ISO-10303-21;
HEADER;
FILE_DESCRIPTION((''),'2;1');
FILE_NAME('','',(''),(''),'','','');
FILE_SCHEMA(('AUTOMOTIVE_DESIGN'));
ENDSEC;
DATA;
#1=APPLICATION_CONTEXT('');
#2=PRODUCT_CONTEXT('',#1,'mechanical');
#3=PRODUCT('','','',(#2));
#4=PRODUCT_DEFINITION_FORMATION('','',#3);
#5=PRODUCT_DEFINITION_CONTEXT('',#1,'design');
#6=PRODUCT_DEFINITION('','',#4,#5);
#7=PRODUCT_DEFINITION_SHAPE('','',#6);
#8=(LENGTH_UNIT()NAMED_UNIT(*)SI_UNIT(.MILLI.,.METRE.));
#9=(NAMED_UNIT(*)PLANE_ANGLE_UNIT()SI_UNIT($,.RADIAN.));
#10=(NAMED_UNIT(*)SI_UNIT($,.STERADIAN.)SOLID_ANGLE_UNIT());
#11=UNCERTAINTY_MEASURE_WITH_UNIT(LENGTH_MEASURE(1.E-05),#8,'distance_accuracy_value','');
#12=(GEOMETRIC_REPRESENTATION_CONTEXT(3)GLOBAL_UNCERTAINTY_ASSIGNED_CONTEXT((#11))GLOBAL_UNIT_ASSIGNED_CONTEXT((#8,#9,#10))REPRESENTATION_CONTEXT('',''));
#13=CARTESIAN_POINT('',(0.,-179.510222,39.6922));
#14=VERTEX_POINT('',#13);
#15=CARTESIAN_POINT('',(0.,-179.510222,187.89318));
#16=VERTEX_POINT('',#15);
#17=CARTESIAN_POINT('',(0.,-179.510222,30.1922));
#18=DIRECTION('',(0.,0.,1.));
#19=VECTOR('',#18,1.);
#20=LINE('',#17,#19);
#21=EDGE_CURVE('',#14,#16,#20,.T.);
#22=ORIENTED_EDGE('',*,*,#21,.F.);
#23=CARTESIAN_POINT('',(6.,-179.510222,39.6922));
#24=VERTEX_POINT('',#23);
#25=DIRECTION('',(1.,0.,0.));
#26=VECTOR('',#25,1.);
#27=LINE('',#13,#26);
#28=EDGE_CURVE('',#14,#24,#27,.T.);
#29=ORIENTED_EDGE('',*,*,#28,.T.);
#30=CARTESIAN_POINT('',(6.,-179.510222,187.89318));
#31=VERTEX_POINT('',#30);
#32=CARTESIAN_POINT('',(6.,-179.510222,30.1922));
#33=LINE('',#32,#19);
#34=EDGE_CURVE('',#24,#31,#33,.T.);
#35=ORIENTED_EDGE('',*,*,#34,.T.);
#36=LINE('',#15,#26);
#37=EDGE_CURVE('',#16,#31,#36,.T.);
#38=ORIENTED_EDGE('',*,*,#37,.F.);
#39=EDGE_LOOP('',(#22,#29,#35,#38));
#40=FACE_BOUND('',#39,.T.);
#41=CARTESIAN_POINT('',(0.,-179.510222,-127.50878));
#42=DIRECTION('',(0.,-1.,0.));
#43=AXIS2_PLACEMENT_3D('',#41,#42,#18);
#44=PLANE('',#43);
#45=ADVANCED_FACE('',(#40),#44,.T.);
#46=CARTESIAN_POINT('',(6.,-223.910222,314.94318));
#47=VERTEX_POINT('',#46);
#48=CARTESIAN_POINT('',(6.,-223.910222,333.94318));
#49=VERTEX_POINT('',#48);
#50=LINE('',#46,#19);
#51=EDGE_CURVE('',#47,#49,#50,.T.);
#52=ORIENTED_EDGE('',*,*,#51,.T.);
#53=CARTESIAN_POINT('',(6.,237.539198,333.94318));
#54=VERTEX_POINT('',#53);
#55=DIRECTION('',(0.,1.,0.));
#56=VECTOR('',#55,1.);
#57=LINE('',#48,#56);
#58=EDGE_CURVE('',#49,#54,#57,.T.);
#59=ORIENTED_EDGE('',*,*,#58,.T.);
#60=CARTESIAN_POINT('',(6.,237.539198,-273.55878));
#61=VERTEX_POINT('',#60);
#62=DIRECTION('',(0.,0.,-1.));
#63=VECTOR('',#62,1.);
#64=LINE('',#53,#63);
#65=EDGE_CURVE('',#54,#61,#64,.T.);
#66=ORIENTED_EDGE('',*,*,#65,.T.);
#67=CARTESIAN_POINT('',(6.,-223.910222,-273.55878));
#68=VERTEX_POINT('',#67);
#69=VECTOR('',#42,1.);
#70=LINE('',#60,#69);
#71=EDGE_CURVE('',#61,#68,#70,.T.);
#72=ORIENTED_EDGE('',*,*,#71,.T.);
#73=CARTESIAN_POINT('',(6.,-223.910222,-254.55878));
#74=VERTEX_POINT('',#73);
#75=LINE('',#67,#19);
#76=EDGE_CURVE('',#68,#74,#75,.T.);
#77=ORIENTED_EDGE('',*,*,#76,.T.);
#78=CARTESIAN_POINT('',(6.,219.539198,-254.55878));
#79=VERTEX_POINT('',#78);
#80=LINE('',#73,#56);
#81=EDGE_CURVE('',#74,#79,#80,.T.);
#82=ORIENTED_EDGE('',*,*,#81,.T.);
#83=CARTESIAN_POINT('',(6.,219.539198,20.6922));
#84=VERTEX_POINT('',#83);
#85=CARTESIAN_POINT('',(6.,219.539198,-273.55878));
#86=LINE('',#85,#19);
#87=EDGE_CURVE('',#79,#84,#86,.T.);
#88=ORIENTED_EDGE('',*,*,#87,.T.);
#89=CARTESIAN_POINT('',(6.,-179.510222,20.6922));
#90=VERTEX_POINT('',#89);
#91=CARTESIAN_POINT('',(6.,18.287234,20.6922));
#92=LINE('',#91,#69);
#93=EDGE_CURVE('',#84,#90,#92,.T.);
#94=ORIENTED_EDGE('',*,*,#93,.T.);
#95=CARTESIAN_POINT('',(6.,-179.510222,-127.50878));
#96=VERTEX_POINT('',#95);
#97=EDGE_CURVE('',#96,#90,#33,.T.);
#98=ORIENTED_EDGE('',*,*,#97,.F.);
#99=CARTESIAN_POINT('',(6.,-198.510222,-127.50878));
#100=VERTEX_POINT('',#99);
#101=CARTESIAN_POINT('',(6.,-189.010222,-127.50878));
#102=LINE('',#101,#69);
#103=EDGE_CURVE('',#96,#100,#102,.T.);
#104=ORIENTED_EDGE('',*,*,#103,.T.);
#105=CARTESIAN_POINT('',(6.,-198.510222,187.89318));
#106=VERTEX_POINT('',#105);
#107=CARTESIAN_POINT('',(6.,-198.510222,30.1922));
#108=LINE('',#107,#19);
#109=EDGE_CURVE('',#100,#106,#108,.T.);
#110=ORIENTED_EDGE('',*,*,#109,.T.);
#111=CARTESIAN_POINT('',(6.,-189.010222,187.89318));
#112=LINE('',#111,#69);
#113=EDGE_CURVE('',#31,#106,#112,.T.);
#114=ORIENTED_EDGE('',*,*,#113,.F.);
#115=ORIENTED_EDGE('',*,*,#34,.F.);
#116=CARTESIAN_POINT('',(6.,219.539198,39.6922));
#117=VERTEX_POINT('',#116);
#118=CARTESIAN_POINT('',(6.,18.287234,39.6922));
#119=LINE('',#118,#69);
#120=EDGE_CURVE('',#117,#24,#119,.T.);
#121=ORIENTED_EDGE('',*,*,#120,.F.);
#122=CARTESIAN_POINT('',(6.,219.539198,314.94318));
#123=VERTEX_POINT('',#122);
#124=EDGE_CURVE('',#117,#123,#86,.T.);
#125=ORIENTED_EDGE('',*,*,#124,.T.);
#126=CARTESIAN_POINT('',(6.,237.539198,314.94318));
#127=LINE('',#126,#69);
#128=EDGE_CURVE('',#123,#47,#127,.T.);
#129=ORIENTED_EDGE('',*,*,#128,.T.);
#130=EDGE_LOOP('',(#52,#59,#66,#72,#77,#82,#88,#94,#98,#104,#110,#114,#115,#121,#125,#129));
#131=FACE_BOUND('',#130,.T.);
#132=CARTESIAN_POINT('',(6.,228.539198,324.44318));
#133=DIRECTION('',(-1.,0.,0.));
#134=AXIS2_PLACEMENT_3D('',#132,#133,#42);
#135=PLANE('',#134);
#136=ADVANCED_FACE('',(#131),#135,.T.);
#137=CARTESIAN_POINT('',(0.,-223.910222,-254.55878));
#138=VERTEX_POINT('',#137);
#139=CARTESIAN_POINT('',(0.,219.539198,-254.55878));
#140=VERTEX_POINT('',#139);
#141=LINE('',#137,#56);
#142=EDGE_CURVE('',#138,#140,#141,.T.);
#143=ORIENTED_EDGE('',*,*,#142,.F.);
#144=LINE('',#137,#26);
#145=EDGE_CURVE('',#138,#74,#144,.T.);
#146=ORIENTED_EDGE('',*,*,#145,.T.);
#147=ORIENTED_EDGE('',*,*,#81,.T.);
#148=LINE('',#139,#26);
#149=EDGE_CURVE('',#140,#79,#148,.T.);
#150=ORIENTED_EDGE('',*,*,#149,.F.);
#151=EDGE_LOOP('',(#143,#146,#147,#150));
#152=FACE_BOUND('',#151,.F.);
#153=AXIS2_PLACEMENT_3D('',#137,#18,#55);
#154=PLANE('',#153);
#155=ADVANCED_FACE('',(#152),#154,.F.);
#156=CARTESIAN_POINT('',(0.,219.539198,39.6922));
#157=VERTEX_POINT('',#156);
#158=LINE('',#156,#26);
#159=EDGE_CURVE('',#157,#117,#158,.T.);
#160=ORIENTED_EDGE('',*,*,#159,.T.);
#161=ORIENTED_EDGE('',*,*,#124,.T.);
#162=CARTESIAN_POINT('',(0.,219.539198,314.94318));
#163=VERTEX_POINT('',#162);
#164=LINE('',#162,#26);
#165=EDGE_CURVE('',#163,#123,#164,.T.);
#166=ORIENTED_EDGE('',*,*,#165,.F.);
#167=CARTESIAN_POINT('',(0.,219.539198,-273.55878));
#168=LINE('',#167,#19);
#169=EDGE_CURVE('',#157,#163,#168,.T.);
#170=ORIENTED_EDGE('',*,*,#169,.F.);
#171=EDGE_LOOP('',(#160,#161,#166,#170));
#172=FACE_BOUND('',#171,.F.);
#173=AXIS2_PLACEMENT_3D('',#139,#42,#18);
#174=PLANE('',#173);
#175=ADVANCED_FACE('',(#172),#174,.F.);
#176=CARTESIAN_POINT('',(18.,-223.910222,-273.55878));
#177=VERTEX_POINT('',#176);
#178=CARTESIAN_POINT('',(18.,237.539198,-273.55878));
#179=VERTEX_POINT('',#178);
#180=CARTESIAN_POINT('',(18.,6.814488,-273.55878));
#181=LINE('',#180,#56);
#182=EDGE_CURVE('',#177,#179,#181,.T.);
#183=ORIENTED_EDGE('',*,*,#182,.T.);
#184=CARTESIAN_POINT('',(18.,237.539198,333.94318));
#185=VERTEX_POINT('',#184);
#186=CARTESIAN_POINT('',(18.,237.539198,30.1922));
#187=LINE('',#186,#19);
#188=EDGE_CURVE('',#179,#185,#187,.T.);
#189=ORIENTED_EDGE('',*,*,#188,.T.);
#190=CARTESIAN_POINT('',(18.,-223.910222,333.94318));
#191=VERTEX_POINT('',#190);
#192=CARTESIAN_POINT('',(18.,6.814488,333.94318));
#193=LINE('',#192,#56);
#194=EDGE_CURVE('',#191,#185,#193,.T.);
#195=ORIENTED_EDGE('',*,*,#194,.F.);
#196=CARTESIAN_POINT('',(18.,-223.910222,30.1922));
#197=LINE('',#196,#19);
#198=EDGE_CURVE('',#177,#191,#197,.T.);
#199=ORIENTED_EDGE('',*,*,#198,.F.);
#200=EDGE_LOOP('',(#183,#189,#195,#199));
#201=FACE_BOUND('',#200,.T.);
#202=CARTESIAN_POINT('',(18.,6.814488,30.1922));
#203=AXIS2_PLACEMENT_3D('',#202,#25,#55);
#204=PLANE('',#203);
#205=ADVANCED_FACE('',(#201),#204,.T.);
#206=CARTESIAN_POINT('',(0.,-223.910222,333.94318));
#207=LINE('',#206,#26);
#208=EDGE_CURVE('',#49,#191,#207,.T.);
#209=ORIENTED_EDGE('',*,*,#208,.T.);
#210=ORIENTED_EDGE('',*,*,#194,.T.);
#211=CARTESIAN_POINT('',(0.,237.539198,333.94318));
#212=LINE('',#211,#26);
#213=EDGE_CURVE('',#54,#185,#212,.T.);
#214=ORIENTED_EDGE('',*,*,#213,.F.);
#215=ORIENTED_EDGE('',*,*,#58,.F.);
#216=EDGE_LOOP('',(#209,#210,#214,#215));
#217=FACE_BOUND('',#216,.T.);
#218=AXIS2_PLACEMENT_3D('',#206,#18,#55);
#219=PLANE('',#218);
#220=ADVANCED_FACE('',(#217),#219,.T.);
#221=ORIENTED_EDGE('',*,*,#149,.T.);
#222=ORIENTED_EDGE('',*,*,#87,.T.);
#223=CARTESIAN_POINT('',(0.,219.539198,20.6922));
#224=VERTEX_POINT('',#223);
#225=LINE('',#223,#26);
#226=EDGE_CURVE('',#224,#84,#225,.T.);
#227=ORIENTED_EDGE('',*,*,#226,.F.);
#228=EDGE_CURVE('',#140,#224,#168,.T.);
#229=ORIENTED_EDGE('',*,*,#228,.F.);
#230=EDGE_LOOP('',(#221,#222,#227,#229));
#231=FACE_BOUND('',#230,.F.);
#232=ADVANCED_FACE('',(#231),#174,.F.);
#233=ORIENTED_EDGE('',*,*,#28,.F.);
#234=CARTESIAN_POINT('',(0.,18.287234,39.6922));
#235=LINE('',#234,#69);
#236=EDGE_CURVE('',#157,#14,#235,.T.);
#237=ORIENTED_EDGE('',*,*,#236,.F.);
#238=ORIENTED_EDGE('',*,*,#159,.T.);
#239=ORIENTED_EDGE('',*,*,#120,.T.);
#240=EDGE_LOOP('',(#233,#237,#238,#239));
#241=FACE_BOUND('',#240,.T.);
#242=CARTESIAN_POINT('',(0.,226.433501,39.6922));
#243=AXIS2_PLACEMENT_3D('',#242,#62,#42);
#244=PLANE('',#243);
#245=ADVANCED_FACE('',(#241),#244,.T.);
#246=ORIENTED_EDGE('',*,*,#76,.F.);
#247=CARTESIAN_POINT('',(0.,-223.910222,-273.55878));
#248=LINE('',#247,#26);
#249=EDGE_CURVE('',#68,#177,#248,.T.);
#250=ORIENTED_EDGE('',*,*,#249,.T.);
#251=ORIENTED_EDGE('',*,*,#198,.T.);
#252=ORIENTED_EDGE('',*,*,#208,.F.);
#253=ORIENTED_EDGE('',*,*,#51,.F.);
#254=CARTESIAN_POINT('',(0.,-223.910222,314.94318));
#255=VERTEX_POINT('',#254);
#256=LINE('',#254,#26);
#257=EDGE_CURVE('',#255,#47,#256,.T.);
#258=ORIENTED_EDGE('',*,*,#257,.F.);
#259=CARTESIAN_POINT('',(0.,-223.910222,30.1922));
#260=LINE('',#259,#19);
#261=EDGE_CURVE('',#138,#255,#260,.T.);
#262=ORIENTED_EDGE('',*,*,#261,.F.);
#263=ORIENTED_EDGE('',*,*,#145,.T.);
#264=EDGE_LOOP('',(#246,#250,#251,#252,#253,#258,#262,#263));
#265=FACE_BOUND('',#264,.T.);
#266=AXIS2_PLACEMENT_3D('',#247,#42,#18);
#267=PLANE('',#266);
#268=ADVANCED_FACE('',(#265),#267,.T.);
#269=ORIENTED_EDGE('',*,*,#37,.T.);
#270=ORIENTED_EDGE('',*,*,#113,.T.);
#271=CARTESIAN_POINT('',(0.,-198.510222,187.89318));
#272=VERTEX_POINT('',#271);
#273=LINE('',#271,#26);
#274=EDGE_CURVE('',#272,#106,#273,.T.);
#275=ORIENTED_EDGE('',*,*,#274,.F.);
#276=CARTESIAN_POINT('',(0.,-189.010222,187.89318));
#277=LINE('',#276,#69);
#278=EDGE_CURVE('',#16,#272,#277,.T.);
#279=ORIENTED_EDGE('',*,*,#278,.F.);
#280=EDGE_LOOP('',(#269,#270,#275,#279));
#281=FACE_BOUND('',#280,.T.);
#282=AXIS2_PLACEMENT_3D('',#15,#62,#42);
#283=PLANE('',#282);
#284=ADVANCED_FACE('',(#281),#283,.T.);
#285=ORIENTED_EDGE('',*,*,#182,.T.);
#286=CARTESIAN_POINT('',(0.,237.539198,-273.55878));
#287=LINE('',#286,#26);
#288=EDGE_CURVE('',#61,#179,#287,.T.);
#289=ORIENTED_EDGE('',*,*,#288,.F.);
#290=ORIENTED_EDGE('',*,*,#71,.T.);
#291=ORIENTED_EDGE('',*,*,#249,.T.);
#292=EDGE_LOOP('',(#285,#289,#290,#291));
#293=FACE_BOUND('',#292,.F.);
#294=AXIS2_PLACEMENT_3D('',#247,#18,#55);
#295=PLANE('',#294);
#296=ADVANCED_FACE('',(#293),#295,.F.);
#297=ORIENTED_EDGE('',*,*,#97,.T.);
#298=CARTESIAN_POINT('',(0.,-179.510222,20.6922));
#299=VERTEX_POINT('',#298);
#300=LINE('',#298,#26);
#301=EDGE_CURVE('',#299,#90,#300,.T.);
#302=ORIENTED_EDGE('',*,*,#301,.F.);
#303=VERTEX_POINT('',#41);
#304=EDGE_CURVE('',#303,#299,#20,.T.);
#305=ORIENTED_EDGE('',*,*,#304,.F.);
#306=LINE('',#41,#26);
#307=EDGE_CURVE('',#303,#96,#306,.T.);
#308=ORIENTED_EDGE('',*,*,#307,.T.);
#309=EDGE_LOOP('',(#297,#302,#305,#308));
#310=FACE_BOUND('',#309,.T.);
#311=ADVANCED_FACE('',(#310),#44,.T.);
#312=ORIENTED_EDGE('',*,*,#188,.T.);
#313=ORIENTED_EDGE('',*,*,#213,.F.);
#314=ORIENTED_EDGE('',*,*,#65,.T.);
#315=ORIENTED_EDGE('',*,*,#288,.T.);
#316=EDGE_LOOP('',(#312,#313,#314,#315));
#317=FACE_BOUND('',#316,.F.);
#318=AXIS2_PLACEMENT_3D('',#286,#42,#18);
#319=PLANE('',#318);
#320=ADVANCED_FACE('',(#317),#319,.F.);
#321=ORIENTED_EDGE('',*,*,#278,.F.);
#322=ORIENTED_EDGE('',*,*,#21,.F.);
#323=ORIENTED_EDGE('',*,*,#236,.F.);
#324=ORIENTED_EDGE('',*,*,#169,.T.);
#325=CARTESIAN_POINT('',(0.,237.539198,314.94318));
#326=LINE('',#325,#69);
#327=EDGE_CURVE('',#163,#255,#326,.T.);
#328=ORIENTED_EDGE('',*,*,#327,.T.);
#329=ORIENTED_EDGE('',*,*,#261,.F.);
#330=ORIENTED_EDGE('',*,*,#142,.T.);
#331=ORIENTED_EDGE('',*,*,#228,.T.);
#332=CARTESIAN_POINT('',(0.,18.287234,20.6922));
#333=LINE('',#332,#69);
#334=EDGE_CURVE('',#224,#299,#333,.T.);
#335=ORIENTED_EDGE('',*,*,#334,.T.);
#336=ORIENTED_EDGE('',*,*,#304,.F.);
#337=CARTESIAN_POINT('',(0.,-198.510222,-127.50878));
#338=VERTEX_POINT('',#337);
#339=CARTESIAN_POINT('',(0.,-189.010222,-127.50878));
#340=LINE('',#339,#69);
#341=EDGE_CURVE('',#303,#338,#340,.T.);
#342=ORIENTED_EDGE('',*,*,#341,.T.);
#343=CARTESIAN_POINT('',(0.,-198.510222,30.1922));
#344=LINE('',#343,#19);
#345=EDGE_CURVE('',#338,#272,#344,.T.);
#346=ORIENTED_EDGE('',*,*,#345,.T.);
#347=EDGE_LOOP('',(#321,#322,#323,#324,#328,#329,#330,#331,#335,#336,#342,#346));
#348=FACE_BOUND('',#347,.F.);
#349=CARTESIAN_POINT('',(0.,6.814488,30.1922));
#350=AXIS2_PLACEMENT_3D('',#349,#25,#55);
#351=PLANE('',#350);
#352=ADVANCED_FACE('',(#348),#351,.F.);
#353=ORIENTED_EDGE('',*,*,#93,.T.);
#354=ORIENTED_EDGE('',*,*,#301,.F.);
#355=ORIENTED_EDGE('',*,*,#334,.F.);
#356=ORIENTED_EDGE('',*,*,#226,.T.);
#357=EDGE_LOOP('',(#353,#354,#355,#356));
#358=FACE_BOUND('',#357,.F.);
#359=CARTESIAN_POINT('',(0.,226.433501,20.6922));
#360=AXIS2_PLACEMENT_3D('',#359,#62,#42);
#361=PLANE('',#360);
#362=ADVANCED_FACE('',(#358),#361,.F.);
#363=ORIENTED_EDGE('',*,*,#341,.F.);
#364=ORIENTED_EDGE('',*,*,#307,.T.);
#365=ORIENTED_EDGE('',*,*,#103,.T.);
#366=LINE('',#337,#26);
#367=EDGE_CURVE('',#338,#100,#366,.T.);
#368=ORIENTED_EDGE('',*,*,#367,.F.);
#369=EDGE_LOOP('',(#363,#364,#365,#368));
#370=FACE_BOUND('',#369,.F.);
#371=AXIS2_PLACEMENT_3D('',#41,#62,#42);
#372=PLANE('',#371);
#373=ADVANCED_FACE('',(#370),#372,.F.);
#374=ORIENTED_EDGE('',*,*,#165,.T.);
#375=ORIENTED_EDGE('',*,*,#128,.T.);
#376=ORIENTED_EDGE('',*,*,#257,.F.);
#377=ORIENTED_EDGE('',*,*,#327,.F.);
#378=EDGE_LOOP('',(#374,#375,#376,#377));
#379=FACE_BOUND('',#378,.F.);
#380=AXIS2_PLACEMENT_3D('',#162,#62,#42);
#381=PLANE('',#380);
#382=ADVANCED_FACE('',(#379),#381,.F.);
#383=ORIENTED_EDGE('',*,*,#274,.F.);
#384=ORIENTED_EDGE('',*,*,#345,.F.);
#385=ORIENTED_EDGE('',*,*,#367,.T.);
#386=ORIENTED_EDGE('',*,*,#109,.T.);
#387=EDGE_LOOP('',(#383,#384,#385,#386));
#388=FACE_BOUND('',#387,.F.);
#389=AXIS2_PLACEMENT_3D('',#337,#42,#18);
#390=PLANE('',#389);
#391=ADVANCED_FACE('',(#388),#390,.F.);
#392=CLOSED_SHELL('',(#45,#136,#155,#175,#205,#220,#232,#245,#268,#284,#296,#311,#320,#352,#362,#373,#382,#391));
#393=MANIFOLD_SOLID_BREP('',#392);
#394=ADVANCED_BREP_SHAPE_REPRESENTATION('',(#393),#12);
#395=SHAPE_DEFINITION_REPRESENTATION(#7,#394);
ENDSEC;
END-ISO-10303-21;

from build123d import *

# Parameters (mm, degrees)
F0_W     = 461.44942
F0_H     = 607.50196
F1_DEPTH = 18
F2_W     = 18
F2_H     = 19
F2_H_2   = 569.50196
F2_W_2   = 19
F2_H_3   = 315.40196
F3_DEPTH = 6
F4_W     = 416.292534
F4_H     = 19
F5_DEPTH = 6


with BuildPart() as f1:
    # F0 (on Right) → F1 (new body)
    with BuildSketch(Plane.YZ):
        with Locations((6.814488, 30.1922)):
            Rectangle(F0_W, F0_H)
    extrude(amount=F1_DEPTH)

    # F2 (on face) → F3 (cut)
    with BuildSketch(Plane(origin=(0, 0, 0), x_dir=(0, -1, 0), z_dir=(-1, 0, 0))):
        with Locations((-228.539198, 324.44318)):
            Rectangle(F2_W, F2_H)
        Polygon((180.510222, 333.94318), (-219.539198, 333.94318), (-219.539198, 314.94318), (223.910222, 314.94318), (223.910222, 333.94318), (198.510222, 333.94318), align=None)
        with Locations((-228.539198, 30.1922)):
            Rectangle(F2_W, F2_H_2)
        with Locations((-228.539198, -264.05878)):
            Rectangle(F2_W, F2_H)
        Polygon((223.910222, -254.55878), (-219.539198, -254.55878), (-219.539198, -273.55878), (180.510222, -273.55878), (198.510222, -273.55878), (223.910222, -273.55878), align=None)
        with Locations((189.010222, 30.1922)):
            Rectangle(F2_W_2, F2_H_3)
    extrude(amount=-F3_DEPTH, mode=Mode.SUBTRACT)

    # F4 (on face) → F5 (cut)
    with BuildSketch(Plane(origin=(0, 0, 0), x_dir=(0, -1, 0), z_dir=(-1, 0, 0))):
        with Locations((-18.287234, 30.1922)):
            Rectangle(F4_W, F4_H)
    extrude(amount=-F5_DEPTH, mode=Mode.SUBTRACT)


solid = f1.part
